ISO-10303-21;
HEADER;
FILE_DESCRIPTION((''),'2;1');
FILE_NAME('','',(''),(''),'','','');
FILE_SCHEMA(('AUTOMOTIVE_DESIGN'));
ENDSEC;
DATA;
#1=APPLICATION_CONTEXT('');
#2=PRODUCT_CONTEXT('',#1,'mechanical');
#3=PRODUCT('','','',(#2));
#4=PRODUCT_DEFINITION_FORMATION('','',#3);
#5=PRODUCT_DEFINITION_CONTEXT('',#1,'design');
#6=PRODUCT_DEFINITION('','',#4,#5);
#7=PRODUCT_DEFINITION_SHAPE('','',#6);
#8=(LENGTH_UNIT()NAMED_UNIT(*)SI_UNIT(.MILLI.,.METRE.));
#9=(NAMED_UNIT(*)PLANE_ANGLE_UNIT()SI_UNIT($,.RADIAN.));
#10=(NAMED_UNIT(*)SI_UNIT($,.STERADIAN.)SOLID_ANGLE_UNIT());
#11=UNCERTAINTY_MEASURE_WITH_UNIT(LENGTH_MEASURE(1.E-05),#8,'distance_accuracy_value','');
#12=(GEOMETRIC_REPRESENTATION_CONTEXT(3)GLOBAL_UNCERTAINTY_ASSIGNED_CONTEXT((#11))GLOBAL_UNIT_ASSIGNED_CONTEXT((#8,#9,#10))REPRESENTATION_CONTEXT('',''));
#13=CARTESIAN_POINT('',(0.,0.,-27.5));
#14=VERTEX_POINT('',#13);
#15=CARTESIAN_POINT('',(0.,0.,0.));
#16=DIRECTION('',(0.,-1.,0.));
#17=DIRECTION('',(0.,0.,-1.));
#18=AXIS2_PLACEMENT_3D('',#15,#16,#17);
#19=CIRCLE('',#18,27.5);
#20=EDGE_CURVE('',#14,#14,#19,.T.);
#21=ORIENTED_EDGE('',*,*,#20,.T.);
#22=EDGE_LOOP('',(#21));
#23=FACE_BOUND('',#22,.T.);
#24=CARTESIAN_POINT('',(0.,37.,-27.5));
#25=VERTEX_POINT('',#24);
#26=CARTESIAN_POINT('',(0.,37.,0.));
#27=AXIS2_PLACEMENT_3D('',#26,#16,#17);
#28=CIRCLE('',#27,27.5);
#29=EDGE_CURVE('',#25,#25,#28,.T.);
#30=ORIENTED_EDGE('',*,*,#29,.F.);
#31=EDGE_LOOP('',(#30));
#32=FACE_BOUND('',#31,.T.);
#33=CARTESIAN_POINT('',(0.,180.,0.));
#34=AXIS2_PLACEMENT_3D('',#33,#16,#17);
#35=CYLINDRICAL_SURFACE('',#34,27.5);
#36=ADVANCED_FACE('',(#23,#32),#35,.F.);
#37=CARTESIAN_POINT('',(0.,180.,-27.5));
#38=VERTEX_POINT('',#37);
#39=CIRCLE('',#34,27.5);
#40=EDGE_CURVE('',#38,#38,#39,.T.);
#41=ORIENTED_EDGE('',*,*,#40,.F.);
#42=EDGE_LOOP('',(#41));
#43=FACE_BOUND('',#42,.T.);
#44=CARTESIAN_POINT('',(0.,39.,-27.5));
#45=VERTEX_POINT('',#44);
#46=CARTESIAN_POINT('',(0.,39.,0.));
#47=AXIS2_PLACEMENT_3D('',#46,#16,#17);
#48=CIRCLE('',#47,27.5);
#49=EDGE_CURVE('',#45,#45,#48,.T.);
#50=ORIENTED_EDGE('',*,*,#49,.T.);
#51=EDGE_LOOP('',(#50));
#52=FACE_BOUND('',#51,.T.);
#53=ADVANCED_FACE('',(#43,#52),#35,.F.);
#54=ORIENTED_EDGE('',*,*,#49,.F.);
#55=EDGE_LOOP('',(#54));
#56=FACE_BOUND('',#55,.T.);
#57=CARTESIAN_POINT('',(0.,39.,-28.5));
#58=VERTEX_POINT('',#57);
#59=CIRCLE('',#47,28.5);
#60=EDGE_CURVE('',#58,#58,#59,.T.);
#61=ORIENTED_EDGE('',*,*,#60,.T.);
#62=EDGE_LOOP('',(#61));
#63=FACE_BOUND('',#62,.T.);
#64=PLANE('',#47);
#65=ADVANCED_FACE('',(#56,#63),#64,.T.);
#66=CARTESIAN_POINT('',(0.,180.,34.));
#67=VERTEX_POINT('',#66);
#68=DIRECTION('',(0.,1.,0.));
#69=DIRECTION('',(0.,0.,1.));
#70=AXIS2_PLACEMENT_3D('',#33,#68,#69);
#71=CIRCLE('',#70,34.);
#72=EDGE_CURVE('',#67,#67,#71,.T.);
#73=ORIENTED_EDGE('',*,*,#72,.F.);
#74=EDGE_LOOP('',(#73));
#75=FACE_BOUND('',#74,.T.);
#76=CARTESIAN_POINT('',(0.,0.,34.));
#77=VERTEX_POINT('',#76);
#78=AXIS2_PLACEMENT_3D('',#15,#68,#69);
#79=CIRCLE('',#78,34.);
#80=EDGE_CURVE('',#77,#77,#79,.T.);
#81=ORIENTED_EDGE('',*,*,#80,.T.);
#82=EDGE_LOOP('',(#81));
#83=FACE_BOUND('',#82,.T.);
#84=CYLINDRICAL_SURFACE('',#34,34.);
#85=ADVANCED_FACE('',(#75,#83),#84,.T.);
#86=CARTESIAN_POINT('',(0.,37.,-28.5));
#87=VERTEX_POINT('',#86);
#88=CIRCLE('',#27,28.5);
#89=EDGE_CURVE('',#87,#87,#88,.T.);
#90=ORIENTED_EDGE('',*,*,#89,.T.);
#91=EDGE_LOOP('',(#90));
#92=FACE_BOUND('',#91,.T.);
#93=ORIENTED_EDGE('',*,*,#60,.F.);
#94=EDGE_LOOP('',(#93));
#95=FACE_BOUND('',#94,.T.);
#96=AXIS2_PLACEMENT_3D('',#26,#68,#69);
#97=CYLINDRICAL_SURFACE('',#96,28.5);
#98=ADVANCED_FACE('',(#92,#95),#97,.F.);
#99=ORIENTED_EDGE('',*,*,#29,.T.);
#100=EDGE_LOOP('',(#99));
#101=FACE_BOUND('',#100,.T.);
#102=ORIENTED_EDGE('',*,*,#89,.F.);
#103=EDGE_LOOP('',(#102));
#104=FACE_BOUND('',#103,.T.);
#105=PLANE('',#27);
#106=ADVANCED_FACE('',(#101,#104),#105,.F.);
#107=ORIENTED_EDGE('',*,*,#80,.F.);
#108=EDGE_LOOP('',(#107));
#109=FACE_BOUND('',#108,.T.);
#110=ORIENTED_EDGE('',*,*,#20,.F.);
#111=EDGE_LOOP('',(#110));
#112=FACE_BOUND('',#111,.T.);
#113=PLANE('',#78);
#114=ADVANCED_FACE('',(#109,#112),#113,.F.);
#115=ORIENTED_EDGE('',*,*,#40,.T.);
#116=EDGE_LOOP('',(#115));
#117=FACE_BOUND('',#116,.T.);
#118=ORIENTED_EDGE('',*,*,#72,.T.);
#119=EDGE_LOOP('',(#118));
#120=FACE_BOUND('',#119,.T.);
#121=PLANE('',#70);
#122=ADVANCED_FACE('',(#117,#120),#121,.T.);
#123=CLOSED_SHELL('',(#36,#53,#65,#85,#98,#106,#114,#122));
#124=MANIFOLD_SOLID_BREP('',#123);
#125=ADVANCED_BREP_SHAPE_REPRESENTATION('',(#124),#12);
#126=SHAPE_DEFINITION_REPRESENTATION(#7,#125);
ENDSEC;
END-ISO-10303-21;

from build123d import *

# Parameters (mm, degrees)
SKETCH1_R           = 34
BOSS_EXTRUDE1_DEPTH = 180
SKETCH2_R           = 27.5
CUT_EXTRUDE1_DEPTH  = 181
SKETCH3_R           = 28.5
SKETCH3_R_2         = 27.5
CUT_EXTRUDE2_DEPTH  = 2


with BuildPart() as part:
    # Sketch1 → Boss-Extrude1 (new body)
    with BuildSketch(Plane(origin=(0, 0, 0), x_dir=(1, 0, 0), z_dir=(0, 1, 0))):
        Circle(SKETCH1_R)
    extrude(amount=BOSS_EXTRUDE1_DEPTH)

    # Sketch2 → Cut-Extrude1 (cut, through all)
    with BuildSketch(Plane.XZ):
        Circle(SKETCH2_R)
    extrude(amount=-CUT_EXTRUDE1_DEPTH, mode=Mode.SUBTRACT)

    # Sketch3 → Cut-Extrude2 (cut)
    with BuildSketch(Plane(origin=(0, 39, 0), x_dir=(-1, 0, 0), z_dir=(0, -1, 0))):
        Circle(SKETCH3_R)
        Circle(SKETCH3_R_2, mode=Mode.SUBTRACT)
    extrude(amount=CUT_EXTRUDE2_DEPTH, mode=Mode.SUBTRACT)


solid = part.part
